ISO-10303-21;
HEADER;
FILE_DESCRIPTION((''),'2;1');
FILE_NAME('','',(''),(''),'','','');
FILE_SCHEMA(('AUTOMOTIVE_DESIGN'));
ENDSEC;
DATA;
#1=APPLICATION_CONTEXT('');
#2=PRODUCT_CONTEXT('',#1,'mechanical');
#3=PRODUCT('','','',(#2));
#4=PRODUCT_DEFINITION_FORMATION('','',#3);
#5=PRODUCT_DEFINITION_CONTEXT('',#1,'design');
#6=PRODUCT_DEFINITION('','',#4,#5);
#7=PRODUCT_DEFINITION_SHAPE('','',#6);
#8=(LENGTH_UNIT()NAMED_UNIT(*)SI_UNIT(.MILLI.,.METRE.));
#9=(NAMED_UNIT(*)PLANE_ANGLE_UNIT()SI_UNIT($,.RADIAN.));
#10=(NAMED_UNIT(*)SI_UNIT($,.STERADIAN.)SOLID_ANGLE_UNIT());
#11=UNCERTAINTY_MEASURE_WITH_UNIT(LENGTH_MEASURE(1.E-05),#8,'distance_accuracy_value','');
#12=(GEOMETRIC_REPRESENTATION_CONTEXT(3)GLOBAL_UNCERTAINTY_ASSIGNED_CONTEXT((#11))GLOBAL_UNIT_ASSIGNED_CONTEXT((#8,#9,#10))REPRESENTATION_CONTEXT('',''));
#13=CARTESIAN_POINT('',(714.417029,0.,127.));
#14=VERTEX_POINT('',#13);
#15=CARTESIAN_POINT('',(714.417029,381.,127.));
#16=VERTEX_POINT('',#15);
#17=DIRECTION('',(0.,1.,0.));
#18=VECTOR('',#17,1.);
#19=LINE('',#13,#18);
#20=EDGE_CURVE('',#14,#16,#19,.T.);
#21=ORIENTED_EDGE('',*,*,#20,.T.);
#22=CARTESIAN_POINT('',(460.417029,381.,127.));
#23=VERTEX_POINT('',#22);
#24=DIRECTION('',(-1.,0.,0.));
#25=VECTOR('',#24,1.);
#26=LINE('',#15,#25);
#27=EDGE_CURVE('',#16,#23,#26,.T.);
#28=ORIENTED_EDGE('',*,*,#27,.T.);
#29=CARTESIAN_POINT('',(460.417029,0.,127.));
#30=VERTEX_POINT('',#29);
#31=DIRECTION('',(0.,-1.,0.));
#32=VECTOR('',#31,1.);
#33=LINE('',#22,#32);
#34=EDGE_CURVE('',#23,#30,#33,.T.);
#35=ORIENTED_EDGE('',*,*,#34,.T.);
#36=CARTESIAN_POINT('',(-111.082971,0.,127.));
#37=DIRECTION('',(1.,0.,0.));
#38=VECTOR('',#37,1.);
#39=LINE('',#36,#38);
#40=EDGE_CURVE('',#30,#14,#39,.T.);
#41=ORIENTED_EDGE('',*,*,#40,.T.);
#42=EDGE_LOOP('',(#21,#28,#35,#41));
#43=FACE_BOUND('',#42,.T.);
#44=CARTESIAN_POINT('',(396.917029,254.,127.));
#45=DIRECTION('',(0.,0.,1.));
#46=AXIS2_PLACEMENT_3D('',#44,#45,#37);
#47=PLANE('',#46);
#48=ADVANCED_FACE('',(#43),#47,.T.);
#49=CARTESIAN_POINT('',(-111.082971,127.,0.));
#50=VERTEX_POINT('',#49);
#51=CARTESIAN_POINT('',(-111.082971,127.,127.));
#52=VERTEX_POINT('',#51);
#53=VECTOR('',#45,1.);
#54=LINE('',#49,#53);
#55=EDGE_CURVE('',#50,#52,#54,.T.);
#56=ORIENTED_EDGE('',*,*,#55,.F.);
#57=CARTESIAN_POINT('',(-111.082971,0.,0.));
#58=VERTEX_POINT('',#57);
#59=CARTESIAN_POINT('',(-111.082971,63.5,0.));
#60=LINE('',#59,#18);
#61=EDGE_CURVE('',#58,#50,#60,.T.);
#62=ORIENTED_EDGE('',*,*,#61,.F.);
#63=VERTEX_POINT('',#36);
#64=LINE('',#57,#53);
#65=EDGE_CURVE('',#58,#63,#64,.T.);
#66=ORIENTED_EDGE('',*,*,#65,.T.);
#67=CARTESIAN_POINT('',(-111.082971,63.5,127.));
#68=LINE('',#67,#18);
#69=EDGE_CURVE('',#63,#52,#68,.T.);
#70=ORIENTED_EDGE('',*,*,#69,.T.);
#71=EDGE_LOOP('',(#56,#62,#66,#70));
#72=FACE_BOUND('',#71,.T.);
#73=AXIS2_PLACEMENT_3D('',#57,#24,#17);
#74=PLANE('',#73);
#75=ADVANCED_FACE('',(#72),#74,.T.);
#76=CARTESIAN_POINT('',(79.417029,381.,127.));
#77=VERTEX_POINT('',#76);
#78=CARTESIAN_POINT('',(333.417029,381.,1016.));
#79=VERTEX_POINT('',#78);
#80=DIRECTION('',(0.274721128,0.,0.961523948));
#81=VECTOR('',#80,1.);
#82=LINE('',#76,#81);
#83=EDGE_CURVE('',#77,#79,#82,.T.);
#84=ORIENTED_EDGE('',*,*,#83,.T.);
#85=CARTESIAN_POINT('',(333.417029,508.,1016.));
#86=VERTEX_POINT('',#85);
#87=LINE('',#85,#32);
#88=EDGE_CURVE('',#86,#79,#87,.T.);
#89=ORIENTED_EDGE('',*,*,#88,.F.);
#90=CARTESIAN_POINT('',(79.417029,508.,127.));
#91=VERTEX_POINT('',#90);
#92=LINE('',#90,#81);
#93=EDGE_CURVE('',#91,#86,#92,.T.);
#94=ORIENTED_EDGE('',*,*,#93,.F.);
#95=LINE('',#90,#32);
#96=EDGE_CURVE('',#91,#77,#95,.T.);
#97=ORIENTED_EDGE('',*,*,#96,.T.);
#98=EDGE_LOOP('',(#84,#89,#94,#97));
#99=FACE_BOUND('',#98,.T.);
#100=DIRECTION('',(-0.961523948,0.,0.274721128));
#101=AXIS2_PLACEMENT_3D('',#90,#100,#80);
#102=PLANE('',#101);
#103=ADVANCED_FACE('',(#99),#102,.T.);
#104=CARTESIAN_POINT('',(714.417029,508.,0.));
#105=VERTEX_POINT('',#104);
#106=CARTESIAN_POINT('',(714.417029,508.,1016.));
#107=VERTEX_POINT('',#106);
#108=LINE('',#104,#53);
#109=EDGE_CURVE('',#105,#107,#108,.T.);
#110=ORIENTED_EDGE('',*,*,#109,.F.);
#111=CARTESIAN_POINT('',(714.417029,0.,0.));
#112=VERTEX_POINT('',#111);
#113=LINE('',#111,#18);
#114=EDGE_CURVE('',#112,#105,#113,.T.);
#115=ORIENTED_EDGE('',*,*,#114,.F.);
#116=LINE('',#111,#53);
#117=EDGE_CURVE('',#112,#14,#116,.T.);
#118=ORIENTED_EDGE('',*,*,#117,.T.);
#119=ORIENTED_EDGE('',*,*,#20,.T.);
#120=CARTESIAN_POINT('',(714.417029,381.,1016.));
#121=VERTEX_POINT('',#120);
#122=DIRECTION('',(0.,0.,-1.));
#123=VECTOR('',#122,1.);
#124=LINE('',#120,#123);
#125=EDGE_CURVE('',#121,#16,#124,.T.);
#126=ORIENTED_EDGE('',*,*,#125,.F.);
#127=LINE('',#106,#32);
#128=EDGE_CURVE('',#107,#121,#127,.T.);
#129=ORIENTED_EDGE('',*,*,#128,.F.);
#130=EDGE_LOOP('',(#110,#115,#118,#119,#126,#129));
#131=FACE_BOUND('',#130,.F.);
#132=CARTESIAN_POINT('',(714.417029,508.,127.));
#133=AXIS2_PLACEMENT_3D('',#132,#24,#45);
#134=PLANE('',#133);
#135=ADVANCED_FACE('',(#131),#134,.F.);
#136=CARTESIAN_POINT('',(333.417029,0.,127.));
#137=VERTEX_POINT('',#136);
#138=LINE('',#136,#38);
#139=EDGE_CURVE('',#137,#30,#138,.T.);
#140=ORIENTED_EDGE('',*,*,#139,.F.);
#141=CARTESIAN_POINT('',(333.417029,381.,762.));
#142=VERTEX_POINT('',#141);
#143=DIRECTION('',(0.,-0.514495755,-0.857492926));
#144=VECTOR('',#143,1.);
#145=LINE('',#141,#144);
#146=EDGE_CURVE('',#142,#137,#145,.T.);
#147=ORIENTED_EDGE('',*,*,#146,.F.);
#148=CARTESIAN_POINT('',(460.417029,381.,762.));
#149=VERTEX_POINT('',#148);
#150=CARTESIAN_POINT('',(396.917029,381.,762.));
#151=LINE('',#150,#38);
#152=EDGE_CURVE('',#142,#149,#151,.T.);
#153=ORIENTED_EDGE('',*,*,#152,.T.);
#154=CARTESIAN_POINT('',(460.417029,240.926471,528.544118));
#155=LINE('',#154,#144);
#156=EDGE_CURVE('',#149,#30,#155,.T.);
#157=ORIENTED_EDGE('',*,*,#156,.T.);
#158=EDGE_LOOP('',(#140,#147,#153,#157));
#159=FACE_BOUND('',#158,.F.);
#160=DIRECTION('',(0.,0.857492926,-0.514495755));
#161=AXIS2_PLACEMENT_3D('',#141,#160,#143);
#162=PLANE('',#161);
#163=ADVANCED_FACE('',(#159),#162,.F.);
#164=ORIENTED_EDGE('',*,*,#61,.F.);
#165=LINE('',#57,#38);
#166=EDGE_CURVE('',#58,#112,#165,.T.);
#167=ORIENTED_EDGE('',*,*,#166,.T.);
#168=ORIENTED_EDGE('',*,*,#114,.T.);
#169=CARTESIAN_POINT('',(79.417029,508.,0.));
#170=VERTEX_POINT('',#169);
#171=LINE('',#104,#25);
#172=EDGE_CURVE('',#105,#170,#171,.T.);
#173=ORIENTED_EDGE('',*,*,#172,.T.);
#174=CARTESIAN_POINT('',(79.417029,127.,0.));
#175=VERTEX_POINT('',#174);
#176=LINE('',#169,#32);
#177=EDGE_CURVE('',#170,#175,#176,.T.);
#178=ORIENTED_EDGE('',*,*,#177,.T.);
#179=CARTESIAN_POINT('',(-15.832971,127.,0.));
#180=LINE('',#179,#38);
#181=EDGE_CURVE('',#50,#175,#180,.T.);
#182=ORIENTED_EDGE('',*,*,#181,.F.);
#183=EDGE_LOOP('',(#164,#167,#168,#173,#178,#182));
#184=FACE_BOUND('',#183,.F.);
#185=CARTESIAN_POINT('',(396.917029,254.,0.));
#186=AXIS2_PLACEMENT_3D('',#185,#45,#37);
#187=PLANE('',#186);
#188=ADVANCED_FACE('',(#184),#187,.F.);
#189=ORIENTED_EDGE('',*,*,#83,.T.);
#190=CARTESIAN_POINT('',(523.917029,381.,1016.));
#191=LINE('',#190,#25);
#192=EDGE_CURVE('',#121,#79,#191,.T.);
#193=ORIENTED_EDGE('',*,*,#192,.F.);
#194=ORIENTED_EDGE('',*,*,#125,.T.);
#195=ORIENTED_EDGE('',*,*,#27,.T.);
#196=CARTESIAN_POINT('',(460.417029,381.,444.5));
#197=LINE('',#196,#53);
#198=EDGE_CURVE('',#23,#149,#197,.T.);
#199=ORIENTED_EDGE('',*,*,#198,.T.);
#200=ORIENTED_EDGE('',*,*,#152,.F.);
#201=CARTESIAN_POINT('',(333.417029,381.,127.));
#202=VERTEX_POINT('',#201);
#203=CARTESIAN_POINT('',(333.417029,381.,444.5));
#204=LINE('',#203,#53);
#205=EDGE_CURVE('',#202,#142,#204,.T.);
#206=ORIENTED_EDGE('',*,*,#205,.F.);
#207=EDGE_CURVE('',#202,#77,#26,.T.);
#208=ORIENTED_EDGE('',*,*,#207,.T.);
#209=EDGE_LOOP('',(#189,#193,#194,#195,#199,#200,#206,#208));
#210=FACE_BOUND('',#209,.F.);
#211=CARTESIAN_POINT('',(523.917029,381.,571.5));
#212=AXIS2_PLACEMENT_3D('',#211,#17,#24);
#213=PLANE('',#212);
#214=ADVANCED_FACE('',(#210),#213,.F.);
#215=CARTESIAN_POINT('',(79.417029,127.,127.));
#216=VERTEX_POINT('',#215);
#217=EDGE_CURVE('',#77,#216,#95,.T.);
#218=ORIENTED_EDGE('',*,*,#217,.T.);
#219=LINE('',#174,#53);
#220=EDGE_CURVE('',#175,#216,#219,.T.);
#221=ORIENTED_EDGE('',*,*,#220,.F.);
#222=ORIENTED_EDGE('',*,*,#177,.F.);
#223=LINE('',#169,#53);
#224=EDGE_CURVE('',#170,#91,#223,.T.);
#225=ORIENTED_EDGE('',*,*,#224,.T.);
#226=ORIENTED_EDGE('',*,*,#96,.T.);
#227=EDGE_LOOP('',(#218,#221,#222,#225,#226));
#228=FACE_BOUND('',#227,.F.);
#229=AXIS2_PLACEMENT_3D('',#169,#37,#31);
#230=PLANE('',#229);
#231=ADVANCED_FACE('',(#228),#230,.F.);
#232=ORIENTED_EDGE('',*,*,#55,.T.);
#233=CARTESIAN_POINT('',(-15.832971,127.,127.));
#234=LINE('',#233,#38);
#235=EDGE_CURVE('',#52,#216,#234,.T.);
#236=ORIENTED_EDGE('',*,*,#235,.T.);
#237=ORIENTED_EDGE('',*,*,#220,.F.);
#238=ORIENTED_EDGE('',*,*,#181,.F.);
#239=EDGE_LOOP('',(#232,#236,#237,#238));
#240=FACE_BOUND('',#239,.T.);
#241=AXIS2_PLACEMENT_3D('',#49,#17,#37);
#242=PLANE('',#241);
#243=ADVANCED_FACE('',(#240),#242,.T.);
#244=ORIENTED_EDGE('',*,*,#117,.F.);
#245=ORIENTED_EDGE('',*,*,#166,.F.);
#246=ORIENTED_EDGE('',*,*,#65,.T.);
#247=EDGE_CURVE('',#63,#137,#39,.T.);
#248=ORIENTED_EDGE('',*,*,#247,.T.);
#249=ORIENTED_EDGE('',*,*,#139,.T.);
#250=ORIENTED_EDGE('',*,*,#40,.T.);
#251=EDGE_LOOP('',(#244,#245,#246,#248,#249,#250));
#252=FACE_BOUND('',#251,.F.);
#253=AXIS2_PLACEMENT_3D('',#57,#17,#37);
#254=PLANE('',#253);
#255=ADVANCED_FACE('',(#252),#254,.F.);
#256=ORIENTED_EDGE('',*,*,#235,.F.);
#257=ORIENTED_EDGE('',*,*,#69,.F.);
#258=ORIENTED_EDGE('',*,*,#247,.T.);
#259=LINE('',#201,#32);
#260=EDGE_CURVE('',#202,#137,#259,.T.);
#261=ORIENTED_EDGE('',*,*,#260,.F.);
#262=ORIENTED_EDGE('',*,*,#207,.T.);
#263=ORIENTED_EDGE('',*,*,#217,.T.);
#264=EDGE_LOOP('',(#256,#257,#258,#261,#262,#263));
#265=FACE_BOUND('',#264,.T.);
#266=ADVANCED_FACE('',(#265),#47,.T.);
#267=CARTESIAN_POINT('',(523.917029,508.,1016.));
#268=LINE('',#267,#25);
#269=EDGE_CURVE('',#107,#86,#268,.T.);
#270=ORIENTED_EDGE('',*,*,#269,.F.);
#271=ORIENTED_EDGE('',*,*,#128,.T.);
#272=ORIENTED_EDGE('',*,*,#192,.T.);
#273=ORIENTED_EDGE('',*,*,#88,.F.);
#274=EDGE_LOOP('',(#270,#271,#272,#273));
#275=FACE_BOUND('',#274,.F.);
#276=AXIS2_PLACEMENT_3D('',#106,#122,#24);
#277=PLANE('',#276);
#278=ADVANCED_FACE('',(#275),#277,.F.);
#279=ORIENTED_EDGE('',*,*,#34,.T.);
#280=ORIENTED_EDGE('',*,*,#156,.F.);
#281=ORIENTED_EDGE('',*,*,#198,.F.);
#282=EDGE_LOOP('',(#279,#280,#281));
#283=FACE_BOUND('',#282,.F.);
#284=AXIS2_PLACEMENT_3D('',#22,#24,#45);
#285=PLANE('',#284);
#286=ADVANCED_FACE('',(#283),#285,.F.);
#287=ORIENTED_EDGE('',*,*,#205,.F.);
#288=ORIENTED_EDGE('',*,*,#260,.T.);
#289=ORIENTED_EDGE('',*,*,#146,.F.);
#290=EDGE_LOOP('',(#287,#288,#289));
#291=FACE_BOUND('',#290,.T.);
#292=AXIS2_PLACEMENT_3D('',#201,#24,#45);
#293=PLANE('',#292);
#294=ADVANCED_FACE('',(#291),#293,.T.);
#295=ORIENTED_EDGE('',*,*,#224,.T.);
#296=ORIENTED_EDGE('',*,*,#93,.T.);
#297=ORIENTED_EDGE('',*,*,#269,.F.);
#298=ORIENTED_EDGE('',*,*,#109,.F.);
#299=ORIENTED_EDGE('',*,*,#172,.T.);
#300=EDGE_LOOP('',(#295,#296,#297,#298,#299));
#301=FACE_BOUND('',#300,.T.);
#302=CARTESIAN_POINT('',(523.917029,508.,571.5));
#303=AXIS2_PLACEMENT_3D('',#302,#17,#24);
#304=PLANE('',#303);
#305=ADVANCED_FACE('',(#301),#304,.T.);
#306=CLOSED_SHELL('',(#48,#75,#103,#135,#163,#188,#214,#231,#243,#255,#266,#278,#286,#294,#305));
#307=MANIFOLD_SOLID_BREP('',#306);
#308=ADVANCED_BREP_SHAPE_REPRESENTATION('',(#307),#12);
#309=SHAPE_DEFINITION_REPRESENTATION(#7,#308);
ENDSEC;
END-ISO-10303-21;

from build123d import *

# Parameters (mm, degrees)
F0_W     = 190.5
F0_H     = 127
F1_DEPTH = 127
F2_W     = 381
F2_H     = 889
F3_DEPTH = 127
F4_W     = 127
F4_H     = 635
F5_DEPTH = 381
F7_DEPTH = 381.001


with BuildPart() as f1:
    # F0 (on Top) → F1 (new body)
    with BuildSketch(Plane.XY):
        Polygon((79.417029, 127), (79.417029, 0), (714.417029, 0), (714.417029, 508), (79.417029, 508), align=None)
        with Locations((-15.832971, 63.5)):
            Rectangle(F0_W, F0_H)
    extrude(amount=F1_DEPTH)

    # F2 (on face) → F3 (join)
    with BuildSketch(Plane(origin=(0, 508, 0), x_dir=(-1, 0, 0), z_dir=(0, 1, 0))):
        with Locations((-523.917029, 571.5)):
            Rectangle(F2_W, F2_H)
        Polygon((-333.417029, 1016), (-333.417029, 127), (-79.417029, 127), align=None)
    extrude(amount=-F3_DEPTH)

    # F4 (on face) → F5 (join, through all)
    with BuildSketch(Plane.XZ.offset(-381)):
        with Locations((396.917029, 444.5)):
            Rectangle(F4_W, F4_H)
    extrude(amount=F5_DEPTH)

    # F6 (on face) → F7 (cut, through all)
    with BuildSketch(Plane(origin=(333.417029, 0, 0), x_dir=(0, -1, 0), z_dir=(-1, 0, 0))):
        Polygon((0, 762), (-381, 762), (0, 127), align=None)
    extrude(amount=-F7_DEPTH, mode=Mode.SUBTRACT)


solid = f1.part
